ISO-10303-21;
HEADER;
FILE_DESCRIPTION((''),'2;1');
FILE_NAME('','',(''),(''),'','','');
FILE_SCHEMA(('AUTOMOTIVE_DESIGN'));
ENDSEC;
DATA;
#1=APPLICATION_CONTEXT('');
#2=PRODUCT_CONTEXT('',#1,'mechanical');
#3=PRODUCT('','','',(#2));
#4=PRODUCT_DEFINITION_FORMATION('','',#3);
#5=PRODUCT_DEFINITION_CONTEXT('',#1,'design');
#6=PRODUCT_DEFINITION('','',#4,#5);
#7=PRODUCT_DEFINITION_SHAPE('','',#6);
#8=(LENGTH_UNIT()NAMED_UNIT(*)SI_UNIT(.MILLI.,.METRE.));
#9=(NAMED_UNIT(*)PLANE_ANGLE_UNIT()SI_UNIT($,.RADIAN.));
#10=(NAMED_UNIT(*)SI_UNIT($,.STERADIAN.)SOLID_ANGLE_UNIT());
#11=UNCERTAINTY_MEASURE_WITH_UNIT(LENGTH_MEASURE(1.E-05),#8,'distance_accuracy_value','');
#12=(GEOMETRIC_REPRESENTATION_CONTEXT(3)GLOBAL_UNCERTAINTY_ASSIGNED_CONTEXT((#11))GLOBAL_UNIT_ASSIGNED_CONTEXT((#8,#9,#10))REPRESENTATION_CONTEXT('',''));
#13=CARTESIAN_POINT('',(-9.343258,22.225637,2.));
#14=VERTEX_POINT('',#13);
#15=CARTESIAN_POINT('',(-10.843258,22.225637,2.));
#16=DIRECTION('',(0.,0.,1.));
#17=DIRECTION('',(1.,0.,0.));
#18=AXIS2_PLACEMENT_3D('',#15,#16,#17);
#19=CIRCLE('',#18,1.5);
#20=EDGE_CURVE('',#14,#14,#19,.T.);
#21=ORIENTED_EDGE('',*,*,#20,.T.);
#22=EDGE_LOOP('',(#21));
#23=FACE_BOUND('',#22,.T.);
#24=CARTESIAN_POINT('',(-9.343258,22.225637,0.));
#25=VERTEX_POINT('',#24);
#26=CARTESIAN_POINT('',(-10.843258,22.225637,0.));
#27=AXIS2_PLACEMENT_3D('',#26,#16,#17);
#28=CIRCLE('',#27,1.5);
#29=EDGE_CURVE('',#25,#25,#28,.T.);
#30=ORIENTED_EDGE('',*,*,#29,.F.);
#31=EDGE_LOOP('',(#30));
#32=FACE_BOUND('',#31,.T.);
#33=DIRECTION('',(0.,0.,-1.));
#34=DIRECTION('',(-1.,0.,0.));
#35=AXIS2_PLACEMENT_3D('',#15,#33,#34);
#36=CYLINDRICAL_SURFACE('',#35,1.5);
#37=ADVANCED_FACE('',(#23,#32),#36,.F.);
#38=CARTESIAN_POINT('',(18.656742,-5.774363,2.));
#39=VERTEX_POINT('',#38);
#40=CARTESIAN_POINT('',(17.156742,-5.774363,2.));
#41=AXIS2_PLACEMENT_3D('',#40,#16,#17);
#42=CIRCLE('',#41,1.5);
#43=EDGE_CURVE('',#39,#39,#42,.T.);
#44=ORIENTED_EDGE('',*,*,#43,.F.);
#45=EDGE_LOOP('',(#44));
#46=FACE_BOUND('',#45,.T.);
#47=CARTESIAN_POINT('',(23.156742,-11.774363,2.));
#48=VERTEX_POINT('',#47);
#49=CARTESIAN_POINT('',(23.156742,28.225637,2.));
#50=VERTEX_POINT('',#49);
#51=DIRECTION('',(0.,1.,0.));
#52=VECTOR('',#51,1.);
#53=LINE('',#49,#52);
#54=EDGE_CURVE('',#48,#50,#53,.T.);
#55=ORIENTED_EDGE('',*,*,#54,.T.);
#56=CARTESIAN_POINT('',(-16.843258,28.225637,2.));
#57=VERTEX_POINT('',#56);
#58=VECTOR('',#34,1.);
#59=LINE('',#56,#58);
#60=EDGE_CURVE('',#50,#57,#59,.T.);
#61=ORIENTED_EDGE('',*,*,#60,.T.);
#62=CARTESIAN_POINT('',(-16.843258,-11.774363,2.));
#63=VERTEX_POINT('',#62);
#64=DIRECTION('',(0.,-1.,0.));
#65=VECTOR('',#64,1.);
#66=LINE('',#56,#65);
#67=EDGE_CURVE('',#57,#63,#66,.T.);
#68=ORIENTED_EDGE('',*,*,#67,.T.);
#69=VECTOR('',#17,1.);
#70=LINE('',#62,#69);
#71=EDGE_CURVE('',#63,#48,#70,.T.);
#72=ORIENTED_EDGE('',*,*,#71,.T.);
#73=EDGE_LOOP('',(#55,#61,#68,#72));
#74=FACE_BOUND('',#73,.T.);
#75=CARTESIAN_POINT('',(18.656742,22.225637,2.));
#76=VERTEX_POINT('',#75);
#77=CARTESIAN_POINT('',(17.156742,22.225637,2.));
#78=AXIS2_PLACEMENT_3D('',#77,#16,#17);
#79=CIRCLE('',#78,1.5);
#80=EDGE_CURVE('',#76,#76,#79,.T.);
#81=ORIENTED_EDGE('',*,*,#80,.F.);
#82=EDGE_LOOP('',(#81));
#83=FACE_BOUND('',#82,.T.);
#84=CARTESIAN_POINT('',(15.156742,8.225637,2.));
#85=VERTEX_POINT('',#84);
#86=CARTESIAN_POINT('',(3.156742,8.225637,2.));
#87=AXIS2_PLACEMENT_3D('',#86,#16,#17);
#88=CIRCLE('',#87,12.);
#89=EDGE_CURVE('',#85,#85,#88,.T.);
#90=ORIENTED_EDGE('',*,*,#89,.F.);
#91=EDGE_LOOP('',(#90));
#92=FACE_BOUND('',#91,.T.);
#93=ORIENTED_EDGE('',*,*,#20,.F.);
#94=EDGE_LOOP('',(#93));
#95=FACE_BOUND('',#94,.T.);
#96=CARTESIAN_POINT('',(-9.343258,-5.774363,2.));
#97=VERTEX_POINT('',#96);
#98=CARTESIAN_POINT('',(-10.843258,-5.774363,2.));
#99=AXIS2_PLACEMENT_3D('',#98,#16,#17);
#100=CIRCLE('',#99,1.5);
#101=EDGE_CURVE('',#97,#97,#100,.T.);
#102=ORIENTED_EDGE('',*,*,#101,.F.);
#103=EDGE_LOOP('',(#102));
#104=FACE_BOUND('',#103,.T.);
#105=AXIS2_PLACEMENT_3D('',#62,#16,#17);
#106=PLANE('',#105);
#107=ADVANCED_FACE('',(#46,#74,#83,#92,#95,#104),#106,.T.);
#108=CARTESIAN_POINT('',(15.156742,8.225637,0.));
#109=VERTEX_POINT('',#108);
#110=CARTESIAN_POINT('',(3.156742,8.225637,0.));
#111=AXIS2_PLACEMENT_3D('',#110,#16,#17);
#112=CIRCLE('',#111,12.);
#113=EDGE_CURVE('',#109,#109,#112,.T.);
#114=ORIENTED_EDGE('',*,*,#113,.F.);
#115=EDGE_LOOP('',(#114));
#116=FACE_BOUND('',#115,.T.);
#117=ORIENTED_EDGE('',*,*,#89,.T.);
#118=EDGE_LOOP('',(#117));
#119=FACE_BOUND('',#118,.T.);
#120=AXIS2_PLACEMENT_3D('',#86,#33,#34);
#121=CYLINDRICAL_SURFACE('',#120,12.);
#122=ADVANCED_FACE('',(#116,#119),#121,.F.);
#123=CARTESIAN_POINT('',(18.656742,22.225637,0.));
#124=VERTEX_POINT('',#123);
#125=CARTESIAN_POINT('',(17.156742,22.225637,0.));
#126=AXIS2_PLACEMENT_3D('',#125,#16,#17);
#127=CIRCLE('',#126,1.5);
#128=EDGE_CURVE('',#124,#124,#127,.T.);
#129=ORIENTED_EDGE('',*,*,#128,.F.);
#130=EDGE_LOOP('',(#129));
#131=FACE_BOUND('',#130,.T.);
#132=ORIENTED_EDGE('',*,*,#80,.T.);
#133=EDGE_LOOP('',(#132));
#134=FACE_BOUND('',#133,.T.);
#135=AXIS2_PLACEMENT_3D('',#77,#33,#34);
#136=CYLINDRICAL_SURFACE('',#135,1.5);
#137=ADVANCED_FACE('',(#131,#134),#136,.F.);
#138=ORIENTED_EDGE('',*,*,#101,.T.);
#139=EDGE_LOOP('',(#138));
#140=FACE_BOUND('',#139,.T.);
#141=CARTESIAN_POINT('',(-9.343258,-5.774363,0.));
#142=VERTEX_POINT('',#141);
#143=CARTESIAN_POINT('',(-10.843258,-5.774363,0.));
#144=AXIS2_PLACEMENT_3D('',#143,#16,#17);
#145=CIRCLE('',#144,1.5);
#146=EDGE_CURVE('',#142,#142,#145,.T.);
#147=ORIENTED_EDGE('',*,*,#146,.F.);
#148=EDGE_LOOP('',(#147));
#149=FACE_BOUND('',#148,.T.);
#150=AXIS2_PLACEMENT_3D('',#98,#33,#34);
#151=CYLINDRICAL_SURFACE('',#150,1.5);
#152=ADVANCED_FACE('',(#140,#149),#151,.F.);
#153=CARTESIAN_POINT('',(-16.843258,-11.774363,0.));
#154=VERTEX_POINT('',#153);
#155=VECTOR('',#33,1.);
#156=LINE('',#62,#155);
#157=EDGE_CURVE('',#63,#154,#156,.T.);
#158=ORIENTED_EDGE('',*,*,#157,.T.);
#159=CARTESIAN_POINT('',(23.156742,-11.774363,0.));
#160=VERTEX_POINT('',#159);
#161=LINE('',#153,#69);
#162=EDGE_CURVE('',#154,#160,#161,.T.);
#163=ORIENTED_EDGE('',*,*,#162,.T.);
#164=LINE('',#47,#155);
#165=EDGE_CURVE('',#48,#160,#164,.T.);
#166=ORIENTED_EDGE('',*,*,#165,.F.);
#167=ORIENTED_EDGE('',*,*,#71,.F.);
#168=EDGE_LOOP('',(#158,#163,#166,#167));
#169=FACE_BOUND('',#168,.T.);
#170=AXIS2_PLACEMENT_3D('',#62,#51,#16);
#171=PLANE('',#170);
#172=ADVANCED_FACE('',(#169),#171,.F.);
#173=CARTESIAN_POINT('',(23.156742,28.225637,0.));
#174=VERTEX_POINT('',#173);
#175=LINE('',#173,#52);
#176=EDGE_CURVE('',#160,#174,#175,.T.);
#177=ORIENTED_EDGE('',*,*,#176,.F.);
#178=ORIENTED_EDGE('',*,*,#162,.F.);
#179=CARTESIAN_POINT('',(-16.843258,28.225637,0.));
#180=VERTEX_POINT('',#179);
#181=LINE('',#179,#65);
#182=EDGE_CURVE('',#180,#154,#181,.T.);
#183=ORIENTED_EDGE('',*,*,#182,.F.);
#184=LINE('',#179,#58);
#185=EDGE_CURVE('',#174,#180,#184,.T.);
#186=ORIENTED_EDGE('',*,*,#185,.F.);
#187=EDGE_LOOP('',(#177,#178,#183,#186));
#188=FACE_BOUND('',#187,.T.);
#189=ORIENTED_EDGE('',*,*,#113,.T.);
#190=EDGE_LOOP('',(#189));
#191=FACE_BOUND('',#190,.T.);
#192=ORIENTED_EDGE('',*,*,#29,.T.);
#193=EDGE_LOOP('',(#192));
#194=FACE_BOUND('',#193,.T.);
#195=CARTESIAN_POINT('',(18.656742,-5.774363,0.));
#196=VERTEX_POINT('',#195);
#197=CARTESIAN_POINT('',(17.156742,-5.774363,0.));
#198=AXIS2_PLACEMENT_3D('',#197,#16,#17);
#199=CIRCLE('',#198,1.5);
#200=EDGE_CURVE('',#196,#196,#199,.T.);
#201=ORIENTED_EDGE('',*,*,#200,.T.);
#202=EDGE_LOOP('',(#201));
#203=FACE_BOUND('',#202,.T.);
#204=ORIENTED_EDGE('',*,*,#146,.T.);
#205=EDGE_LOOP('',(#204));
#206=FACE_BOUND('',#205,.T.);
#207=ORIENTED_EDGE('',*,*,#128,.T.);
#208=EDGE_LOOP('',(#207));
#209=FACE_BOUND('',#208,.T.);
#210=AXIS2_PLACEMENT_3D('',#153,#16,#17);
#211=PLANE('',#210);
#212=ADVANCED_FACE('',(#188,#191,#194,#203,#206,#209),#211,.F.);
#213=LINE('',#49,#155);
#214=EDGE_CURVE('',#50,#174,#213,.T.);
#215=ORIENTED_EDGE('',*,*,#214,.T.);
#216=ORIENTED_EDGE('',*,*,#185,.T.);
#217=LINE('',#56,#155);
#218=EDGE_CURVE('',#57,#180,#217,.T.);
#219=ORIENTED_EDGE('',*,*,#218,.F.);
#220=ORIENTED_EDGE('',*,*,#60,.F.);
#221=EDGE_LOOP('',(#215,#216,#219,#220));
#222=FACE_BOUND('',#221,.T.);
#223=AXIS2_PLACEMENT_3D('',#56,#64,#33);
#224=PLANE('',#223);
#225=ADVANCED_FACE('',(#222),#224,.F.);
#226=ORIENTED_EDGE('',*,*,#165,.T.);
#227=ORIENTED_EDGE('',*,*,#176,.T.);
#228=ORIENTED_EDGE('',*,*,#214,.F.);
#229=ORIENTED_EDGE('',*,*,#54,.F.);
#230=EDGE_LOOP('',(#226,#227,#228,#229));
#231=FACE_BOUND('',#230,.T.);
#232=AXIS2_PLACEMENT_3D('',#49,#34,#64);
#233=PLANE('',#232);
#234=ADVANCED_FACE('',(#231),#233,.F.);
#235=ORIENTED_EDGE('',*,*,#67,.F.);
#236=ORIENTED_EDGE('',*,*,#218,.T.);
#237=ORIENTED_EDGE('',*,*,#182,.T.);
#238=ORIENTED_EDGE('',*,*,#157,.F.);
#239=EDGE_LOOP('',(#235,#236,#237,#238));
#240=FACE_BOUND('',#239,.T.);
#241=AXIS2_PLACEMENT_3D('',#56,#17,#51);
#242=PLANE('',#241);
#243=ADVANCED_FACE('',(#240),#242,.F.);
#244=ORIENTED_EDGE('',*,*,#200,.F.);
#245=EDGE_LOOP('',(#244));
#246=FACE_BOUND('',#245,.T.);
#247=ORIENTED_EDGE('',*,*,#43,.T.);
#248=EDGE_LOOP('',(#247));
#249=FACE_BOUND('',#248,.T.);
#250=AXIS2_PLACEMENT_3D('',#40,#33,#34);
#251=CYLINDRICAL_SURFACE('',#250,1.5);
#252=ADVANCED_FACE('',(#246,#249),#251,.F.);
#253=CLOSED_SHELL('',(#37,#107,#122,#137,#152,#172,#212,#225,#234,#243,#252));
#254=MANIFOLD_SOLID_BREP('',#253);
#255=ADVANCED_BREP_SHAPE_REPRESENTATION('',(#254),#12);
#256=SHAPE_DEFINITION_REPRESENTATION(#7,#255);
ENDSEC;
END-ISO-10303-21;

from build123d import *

# Parameters (mm, degrees)
ESQUISSE1_W      = 40
ESQUISSE1_H      = 40
ESQUISSE1_R      = 12
ESQUISSE1_R_2    = 1.5
EXTRUSION1_DEPTH = 2


with BuildPart() as part:
    # Esquisse1 → Extrusion1 (new body)
    with BuildSketch(Plane.XY):
        with Locations((3.156742184, 8.225637105)):
            Rectangle(ESQUISSE1_W, ESQUISSE1_H)
        with Locations((3.156742184, 8.225637105)):
            Circle(ESQUISSE1_R, mode=Mode.SUBTRACT)
        with Locations((-10.843257816, 22.225637105)):
            Circle(ESQUISSE1_R_2, mode=Mode.SUBTRACT)
        with Locations((17.156742184, 22.225637105)):
            Circle(ESQUISSE1_R_2, mode=Mode.SUBTRACT)
        with Locations((-10.843257816, -5.774362895)):
            Circle(ESQUISSE1_R_2, mode=Mode.SUBTRACT)
        with Locations((17.156742184, -5.774362895)):
            Circle(ESQUISSE1_R_2, mode=Mode.SUBTRACT)
    extrude(amount=EXTRUSION1_DEPTH)


solid = part.part
